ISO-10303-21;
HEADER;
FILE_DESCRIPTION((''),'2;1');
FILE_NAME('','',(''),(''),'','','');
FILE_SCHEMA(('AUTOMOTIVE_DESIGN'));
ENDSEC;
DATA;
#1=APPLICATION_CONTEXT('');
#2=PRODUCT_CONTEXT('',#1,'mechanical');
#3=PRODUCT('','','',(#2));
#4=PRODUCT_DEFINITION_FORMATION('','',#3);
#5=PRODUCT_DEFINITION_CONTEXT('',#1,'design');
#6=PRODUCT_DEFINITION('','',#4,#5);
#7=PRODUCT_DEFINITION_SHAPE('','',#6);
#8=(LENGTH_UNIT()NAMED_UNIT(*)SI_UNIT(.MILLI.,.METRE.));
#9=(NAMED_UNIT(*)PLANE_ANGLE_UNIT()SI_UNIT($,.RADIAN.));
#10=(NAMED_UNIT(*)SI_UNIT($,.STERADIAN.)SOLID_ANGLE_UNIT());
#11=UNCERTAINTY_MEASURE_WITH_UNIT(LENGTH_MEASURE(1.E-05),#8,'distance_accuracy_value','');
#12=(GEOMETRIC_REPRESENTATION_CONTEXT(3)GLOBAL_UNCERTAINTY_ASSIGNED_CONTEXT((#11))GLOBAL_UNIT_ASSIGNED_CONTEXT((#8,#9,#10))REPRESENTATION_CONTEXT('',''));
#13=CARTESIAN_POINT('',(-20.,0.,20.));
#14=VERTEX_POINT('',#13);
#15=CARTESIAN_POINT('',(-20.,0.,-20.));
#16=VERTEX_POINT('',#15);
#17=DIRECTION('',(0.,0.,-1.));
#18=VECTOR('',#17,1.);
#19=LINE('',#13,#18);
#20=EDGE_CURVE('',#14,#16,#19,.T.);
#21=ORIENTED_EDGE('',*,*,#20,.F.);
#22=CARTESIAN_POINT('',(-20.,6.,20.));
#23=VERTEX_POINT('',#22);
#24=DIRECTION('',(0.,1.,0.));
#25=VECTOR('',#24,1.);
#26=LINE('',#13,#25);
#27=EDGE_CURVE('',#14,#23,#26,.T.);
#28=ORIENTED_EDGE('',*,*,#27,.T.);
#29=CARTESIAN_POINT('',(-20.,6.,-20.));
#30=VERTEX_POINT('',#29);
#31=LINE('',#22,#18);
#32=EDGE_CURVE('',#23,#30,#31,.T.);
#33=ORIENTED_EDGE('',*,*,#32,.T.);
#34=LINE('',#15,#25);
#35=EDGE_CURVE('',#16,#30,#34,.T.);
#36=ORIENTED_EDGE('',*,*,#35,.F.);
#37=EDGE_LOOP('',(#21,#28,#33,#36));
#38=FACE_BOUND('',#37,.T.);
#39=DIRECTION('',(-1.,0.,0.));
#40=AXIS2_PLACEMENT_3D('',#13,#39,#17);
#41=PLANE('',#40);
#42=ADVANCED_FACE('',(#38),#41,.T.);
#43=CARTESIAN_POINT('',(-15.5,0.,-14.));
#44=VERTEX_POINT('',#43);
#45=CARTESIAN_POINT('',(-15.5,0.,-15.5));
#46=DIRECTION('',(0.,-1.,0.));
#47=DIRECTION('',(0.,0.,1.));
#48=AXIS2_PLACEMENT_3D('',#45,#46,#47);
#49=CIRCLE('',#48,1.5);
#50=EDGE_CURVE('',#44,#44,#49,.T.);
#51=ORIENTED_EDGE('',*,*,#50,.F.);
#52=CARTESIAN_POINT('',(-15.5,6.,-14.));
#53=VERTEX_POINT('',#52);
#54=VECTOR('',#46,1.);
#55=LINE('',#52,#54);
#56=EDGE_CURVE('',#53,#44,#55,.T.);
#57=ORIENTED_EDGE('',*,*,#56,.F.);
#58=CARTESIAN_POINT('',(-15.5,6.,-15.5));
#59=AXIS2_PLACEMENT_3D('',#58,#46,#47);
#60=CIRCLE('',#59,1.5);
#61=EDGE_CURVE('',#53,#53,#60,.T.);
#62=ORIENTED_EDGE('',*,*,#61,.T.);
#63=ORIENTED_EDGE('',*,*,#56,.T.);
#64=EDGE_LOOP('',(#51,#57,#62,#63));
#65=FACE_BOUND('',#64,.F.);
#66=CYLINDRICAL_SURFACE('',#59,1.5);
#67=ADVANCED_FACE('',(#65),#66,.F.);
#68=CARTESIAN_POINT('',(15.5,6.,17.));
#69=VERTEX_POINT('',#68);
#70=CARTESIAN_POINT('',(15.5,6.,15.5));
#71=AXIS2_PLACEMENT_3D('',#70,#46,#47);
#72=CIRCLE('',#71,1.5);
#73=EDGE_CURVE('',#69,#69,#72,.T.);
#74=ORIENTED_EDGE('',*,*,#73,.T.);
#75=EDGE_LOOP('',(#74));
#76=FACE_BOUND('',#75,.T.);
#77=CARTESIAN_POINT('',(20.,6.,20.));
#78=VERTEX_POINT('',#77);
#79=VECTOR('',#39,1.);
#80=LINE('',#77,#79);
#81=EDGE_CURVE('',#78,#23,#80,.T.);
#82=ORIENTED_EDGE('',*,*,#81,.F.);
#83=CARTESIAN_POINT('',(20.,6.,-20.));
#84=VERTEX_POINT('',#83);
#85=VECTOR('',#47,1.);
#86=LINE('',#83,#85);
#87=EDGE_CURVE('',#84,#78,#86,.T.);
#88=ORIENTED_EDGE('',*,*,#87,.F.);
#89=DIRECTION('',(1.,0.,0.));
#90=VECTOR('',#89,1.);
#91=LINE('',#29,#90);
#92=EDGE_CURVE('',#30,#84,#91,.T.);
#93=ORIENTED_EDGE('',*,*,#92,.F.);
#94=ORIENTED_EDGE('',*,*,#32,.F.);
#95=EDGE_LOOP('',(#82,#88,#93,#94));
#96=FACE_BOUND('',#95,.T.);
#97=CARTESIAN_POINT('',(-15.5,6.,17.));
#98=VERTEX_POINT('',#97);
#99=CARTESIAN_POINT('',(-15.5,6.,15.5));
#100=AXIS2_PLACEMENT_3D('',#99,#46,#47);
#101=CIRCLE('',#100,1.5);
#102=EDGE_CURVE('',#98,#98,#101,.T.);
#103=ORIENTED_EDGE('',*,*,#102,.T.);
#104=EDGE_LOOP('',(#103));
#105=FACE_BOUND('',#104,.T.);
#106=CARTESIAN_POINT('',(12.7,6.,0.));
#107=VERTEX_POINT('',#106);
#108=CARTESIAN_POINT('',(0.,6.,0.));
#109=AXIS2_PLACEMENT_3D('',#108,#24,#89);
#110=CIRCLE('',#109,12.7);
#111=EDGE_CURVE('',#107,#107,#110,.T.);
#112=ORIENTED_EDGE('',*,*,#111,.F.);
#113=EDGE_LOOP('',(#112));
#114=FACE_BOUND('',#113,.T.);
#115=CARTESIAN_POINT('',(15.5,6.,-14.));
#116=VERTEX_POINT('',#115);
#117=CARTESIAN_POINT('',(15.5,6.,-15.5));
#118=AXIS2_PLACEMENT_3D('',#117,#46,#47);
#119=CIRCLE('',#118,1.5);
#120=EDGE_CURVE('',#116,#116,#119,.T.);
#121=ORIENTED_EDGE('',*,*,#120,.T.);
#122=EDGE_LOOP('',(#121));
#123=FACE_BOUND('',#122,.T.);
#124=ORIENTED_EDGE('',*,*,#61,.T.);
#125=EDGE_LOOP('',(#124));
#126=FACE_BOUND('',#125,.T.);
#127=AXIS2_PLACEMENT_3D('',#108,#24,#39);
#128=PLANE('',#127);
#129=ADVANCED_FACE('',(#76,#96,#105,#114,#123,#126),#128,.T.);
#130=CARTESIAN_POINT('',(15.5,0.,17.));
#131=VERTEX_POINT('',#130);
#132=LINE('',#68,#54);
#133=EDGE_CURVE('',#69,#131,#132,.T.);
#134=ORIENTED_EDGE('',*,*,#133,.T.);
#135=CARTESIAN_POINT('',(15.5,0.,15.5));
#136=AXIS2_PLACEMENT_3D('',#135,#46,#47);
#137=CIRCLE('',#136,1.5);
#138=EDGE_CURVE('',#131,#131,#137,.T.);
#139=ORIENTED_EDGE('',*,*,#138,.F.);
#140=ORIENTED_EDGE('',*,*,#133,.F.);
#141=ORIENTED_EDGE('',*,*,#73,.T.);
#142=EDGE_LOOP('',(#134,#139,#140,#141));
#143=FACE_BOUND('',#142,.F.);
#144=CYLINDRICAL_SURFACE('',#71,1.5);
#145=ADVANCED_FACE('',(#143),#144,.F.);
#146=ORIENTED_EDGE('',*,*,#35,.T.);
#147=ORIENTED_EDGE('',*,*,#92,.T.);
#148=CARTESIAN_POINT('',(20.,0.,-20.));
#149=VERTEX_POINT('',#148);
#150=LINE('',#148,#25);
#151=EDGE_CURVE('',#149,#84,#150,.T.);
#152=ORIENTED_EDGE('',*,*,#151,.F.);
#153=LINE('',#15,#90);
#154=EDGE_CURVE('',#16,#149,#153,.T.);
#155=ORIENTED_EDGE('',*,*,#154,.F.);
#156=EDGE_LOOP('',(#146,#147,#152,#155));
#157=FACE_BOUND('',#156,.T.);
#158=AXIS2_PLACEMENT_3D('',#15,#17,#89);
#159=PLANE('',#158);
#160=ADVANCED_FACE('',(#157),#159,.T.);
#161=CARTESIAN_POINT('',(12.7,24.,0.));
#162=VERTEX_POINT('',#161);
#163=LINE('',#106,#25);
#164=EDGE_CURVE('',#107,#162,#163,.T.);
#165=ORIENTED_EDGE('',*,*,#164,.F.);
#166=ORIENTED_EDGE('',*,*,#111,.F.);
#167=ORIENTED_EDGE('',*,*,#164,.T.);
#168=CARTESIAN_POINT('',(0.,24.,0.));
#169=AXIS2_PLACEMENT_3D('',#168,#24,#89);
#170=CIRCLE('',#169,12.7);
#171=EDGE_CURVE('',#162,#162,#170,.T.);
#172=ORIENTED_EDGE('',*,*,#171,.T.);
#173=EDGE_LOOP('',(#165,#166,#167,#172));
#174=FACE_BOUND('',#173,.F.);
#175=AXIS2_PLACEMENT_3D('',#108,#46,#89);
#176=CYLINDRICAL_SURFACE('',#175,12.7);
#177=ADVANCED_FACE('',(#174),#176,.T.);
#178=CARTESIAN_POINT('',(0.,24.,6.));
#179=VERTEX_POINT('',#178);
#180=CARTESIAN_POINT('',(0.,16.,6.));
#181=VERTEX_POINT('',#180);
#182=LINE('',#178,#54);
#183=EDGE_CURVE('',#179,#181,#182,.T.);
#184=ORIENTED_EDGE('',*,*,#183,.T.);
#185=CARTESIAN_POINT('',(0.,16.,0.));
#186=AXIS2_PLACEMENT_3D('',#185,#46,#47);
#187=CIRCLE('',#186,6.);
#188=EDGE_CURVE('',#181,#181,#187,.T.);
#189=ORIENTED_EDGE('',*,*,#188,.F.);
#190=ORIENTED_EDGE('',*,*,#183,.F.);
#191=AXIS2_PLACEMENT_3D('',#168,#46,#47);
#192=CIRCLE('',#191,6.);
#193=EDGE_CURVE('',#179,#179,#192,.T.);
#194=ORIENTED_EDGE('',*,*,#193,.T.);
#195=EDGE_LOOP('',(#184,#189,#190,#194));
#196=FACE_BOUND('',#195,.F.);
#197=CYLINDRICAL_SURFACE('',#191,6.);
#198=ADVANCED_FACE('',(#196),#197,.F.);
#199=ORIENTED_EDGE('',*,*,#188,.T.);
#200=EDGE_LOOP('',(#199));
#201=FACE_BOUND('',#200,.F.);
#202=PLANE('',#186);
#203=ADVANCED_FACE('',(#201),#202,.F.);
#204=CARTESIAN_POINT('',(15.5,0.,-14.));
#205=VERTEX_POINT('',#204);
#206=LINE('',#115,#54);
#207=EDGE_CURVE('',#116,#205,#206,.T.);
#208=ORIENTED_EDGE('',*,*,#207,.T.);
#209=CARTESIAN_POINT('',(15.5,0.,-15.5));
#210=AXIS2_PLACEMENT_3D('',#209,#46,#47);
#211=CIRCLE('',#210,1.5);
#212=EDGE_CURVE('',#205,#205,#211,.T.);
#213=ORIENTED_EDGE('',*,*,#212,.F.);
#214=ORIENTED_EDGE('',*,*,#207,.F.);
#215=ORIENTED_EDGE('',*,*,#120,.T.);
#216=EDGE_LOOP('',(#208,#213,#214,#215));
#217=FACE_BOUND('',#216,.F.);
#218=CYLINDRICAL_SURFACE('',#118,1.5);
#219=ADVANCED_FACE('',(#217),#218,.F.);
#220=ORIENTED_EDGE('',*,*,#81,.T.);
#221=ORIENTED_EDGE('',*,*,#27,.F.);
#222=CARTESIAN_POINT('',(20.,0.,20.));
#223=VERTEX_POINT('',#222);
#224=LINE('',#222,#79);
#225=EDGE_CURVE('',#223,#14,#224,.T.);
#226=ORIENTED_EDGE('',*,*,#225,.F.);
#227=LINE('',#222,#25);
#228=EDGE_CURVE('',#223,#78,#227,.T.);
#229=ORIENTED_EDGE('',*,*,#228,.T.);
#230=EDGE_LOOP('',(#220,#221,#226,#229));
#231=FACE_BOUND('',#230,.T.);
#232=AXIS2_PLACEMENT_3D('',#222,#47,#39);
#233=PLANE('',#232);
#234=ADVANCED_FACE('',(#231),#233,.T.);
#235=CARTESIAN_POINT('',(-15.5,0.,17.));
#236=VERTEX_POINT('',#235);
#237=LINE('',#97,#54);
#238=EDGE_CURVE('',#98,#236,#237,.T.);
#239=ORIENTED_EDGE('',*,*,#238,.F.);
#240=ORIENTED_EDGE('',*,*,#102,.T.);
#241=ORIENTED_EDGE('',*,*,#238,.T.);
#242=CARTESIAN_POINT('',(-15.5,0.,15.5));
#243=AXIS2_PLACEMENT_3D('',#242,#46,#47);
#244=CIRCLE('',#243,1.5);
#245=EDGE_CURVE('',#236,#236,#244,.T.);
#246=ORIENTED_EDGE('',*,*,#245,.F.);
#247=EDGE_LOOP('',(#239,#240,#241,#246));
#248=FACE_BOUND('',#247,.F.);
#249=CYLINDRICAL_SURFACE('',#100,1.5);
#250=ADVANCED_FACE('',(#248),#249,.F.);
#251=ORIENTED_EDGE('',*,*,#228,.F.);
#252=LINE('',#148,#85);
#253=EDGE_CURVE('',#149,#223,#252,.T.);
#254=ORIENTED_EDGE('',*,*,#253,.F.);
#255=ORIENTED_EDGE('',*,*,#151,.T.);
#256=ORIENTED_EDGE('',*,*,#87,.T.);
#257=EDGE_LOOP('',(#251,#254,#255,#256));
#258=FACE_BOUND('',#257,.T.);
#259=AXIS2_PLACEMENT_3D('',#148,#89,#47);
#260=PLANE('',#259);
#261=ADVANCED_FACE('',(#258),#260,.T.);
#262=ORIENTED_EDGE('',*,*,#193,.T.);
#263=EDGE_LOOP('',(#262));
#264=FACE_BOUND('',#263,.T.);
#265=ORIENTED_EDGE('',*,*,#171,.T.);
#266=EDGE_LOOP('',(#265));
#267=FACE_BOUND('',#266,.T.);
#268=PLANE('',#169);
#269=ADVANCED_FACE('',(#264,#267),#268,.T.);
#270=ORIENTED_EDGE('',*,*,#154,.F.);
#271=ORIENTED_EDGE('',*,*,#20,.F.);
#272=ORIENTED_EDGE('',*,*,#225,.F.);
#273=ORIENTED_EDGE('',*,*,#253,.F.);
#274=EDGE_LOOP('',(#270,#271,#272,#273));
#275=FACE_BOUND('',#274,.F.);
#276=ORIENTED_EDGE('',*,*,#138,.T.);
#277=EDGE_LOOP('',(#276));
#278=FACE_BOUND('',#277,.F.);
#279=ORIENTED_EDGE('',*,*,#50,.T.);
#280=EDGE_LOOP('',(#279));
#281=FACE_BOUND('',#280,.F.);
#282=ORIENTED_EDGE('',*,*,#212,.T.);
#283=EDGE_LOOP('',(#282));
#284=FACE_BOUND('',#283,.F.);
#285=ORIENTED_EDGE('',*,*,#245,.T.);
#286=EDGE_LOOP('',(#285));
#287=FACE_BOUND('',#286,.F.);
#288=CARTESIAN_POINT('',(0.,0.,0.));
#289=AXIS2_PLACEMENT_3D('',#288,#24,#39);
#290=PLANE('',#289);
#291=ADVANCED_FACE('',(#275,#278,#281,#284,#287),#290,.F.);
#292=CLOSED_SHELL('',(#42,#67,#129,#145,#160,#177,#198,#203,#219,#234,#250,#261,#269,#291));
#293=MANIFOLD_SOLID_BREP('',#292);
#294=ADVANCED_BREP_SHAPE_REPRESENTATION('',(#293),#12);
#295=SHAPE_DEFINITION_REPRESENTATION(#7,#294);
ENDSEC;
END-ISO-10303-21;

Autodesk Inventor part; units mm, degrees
ref_plane "YZ Plane" through (0, 0, 0) normal (1, 0, 0) x (0, 1, 0)
ref_plane "XZ Plane" through (0, 0, 0) normal (0, 1, 0) x (-1, 0, 0)
ref_plane "XY Plane" through (0, 0, 0) normal (0, 0, 1) x (1, 0, 0)
sketch "Boceto1" plane through (0, 0, 0) normal (0, 1, 0) x (-1, 0, 0)
  line L0 (-20, 20) -> (20, 20)
  line L1 (20, 20) -> (20, -20)
  line L2 (20, -20) -> (-20, -20)
  line L3 (-20, -20) -> (-20, 20)
  line L4 (-20, 20) -> (20, -20) construction
  line L5 (20, 20) -> (-20, -20) construction
  point P0 (0, 0)
  dimension "d0" = 40
  dimension "d1" = 40
extrude "Extrusión1" add sketch "Boceto1" along normal blind 6
sketch "Boceto2" plane through (0, 6, 0) normal (0, 1, 0) x (1, 0, 0)
  line L0 (15.5, -15.5) -> (-15.5, -15.5)
  line L1 (-15.5, -15.5) -> (-15.5, 15.5)
  line L2 (-15.5, 15.5) -> (15.5, 15.5)
  line L3 (15.5, 15.5) -> (15.5, -15.5)
  line L4 (15.5, -15.5) -> (-15.5, 15.5) construction
  line L5 (-15.5, -15.5) -> (15.5, 15.5) construction
  point P0 (0, 0)
  dimension "d4" = 31
  dimension "d5" = 31
hole "Agujero1" at (-15.5, 6, 15.5) at (-15.5, 6, -15.5) at (15.5, 6, -15.5) at (15.5, 6, 15.5) direction (0, -1, 0) diameter 3 depth 8 tip angle 118
sketch "Boceto3" plane through (0, 6, 0) normal (0, 1, 0) x (1, 0, 0)
  circle A0 centre (0, 0) radius 12.7
  dimension "d13" = 25.4
extrude "Extrusión2" add sketch "Boceto3" along normal blind 18
sketch "Boceto4" plane through (0, 24, 0) normal (0, 1, 0) x (1, 0, 0)
  point P0 (0, 0)
  point P1 (0, 0)
hole "Agujero2" at (0, 24, 0) direction (0, -1, 0) diameter 12 depth 8
properties part number "SoporteVarilla"
